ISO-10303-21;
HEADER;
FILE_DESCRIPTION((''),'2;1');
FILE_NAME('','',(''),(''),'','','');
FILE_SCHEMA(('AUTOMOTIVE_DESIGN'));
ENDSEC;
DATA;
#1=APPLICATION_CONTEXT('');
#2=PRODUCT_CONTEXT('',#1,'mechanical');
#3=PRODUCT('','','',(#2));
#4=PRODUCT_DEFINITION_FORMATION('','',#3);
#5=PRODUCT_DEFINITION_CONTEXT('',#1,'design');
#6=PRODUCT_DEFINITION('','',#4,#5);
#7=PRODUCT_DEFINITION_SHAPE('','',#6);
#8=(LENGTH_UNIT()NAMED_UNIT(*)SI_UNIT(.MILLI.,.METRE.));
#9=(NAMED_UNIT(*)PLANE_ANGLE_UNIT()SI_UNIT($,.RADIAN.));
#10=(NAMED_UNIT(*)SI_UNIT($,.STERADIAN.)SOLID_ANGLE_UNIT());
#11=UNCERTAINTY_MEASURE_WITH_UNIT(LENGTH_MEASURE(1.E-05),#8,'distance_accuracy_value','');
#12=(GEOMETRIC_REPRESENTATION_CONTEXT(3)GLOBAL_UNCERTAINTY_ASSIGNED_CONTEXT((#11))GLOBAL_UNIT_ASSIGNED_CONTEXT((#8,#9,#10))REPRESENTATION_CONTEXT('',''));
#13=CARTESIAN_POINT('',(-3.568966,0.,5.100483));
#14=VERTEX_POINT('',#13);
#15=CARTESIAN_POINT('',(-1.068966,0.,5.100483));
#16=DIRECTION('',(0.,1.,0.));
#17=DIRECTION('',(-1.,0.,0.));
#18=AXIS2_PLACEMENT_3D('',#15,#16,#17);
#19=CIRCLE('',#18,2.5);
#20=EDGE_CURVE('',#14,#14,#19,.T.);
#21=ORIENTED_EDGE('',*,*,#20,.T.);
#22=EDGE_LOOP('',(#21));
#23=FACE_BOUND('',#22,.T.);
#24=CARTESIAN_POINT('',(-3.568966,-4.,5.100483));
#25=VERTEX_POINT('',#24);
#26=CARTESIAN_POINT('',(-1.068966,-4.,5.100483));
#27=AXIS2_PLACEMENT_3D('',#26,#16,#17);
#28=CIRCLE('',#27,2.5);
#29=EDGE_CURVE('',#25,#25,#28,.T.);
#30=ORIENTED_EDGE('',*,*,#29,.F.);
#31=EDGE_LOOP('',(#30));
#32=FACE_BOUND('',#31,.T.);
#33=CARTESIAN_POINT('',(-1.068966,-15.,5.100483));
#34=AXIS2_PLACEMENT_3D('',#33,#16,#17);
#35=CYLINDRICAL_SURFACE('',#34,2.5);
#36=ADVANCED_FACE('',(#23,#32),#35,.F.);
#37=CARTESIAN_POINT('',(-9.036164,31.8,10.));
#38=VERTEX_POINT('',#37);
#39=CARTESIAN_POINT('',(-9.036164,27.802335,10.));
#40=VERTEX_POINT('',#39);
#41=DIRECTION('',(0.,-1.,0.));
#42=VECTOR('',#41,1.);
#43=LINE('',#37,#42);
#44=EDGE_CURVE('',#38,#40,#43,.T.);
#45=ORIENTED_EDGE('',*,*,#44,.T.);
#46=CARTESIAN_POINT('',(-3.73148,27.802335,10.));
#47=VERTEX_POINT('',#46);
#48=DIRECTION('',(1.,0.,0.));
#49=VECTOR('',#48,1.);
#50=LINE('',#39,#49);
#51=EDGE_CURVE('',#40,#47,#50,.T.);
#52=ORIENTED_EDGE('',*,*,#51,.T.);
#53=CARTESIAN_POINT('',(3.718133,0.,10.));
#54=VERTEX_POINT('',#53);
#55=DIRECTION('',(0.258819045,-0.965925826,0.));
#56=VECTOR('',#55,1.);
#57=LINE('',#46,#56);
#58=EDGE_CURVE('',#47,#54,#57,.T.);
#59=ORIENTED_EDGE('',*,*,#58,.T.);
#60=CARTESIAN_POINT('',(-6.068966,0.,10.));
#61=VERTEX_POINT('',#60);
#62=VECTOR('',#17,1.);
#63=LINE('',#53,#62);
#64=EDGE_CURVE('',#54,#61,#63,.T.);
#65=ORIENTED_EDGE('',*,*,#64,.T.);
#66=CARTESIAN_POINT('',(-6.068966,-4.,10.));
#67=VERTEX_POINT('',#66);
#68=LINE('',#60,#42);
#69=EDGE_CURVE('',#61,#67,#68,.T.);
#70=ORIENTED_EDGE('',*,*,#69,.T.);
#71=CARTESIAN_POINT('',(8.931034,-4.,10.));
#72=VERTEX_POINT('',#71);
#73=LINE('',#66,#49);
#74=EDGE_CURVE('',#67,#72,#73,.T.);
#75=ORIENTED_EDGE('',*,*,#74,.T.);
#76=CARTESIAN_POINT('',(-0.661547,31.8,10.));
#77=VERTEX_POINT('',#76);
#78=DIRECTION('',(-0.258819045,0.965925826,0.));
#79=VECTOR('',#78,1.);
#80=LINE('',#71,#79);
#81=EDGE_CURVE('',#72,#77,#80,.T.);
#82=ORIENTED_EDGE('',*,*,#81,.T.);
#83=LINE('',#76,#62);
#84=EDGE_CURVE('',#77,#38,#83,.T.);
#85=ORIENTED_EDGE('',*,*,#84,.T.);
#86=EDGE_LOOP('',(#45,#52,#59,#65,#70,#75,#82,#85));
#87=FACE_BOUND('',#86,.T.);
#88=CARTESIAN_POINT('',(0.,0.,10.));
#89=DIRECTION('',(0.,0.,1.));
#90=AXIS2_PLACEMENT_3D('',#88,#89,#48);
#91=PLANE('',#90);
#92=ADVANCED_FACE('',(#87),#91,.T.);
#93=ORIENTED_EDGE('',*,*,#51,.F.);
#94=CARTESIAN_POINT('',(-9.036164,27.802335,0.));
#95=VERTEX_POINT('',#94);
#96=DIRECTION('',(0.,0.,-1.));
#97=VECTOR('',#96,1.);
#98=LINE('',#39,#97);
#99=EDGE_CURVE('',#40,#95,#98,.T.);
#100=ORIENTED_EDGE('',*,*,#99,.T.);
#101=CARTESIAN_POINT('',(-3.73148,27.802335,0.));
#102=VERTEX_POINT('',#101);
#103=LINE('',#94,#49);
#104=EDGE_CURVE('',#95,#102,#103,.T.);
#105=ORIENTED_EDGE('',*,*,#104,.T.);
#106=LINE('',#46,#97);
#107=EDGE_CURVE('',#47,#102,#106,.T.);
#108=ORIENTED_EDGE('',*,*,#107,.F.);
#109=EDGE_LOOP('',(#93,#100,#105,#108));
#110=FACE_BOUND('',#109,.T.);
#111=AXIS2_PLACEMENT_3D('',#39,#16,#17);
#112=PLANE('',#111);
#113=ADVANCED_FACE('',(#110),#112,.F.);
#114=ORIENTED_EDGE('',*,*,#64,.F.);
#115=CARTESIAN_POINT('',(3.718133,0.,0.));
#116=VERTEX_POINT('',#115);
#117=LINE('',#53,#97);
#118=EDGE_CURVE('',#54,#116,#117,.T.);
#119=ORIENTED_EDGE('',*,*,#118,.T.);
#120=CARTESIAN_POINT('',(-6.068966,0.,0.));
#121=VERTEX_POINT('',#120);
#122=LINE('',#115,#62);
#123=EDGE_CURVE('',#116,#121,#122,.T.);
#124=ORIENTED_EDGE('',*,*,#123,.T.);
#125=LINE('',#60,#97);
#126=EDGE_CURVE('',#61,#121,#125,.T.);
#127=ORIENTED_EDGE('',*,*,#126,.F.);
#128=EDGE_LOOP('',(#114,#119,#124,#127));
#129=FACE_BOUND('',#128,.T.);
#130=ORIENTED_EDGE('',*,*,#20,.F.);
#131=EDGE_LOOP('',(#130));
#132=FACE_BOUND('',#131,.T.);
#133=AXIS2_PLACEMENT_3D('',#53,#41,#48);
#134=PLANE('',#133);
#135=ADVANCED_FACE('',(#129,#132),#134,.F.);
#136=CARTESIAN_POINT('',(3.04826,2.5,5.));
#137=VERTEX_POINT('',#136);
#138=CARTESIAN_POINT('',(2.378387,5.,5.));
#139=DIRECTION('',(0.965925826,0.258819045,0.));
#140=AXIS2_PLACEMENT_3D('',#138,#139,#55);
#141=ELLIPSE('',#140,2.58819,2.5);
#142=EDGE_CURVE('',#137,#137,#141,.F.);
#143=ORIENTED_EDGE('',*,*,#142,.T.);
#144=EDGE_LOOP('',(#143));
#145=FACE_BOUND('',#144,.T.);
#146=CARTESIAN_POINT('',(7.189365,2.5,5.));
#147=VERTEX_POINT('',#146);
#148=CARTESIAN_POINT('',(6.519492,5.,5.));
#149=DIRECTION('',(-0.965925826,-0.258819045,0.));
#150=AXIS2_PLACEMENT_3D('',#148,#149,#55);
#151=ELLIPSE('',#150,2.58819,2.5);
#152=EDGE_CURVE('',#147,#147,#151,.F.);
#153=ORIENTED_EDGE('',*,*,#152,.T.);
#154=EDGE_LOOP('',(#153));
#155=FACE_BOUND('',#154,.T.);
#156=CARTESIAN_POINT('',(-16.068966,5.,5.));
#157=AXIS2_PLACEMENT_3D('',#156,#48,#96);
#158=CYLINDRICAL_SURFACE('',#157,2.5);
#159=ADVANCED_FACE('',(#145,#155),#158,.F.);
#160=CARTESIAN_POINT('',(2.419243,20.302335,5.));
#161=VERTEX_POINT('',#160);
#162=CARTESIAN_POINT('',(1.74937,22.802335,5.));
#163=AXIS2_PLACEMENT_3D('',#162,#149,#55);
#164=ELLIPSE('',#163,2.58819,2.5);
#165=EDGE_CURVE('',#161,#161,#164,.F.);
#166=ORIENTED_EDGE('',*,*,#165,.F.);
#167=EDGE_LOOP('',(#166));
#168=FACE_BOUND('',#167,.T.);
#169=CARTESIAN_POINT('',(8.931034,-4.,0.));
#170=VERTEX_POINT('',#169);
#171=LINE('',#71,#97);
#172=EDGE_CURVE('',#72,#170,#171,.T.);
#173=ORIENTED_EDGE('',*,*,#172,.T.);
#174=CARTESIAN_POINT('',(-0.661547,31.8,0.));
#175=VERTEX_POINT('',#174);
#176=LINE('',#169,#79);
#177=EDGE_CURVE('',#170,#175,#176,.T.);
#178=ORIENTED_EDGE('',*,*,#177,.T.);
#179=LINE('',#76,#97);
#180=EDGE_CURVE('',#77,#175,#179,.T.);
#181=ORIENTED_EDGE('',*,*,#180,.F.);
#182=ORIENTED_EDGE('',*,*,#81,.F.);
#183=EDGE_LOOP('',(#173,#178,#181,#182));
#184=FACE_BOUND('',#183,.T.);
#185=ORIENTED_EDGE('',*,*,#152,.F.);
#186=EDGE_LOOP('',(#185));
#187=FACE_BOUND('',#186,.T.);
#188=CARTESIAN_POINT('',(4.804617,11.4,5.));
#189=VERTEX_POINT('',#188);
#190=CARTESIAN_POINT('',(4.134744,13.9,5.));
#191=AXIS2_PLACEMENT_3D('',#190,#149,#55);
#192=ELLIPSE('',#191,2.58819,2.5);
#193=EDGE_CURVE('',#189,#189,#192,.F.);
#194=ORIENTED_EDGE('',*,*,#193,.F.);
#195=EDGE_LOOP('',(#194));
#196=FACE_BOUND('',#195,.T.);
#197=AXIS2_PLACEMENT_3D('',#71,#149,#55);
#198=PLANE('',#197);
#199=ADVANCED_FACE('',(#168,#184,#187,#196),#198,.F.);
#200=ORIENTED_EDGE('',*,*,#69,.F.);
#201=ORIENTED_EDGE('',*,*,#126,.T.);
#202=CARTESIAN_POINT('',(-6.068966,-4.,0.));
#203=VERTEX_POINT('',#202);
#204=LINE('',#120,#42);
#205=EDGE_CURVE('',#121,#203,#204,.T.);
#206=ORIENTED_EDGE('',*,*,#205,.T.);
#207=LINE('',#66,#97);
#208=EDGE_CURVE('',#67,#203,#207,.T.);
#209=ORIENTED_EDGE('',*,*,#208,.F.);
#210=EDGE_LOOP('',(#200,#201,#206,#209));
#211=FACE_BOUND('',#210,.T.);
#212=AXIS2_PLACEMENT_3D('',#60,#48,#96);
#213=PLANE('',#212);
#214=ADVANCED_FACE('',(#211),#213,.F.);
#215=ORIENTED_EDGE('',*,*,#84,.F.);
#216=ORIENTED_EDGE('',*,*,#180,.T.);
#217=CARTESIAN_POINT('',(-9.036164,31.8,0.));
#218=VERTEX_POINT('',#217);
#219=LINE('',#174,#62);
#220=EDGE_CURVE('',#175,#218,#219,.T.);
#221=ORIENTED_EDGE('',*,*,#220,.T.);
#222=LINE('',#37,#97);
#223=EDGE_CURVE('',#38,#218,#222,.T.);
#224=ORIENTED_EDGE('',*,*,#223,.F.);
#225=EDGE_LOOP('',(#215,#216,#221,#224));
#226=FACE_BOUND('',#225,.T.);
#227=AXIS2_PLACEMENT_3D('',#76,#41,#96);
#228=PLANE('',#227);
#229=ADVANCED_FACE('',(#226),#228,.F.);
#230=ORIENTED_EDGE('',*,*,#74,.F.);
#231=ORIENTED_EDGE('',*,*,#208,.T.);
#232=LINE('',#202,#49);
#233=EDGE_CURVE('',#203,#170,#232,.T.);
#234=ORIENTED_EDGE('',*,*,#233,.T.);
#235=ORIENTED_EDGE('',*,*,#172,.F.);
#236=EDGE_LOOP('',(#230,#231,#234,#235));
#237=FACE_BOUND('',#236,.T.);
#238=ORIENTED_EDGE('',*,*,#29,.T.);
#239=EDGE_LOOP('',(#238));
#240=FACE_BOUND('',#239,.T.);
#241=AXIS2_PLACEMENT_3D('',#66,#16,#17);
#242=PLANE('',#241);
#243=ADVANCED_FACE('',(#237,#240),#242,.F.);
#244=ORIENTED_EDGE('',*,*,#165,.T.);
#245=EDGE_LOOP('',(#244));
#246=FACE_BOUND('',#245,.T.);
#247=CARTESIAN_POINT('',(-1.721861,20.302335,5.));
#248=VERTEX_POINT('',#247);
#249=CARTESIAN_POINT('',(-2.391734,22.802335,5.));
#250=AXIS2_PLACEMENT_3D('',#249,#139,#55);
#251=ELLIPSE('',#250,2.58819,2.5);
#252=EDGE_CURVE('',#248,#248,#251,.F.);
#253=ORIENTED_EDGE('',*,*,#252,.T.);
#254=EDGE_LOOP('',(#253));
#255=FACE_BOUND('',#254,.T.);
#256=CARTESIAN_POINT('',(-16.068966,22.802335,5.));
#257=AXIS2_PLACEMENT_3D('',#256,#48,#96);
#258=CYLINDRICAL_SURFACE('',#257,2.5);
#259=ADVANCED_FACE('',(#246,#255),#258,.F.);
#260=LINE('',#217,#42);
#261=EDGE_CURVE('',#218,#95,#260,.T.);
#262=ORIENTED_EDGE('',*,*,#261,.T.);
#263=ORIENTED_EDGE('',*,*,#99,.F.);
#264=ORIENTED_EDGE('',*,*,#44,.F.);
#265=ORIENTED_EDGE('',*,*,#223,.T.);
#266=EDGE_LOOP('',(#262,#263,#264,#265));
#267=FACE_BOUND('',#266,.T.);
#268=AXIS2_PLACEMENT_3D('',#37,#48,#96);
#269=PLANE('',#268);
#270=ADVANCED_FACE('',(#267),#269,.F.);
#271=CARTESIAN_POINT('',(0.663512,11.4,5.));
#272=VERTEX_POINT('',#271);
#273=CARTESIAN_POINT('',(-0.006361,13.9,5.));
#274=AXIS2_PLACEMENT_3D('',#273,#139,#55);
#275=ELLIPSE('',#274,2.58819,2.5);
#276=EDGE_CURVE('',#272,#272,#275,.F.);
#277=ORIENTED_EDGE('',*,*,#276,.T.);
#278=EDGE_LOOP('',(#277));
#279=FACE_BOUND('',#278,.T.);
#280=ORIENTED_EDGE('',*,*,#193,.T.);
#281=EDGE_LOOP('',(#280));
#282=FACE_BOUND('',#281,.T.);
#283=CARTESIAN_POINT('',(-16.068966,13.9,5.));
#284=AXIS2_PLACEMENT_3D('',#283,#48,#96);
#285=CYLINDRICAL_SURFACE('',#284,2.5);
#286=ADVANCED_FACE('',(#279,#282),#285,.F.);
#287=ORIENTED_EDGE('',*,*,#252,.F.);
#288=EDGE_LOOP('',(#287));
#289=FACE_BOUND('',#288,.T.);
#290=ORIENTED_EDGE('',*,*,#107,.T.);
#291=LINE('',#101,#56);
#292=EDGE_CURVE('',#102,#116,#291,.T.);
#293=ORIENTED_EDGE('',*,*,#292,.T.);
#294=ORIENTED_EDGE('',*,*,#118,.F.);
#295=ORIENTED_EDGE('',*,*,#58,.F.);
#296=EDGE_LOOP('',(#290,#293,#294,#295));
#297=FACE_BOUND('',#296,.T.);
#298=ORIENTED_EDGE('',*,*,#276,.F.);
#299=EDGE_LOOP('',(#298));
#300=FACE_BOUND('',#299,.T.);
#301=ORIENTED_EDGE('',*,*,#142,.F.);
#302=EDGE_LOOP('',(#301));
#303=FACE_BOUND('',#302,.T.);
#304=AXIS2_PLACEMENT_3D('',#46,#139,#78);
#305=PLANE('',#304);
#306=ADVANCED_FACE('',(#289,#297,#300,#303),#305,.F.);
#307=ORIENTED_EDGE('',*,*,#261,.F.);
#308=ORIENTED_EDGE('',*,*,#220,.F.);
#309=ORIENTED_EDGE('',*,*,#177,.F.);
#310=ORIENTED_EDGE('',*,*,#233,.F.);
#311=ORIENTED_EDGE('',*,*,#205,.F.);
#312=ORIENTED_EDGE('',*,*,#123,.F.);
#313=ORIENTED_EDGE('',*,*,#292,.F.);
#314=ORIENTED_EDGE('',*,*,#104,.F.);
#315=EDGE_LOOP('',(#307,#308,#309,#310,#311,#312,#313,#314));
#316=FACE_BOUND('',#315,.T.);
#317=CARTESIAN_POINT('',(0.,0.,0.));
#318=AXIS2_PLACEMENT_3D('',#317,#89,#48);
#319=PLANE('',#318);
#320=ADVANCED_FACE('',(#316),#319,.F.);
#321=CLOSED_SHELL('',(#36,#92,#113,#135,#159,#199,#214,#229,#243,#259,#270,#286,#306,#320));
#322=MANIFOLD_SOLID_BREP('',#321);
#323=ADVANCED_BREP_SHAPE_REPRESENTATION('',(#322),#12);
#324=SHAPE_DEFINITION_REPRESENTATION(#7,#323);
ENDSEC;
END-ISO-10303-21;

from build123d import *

# Parameters (mm, degrees)
BOSS_EXTRUDE1_DEPTH     = 10
CUT_EXTRUDE1_DEPTH      = 10
CUT_EXTRUDE1_DEPTH_BACK = 15
SKETCH2_R               = 2.5
SKETCH3_R               = 2.5
CUT_EXTRUDE2_DEPTH      = 15


with BuildPart() as part:
    # Sketch1 → Boss-Extrude1 (new body)
    with BuildSketch(Plane.XY):
        Polygon((-6.068965517, -4), (8.931034483, -4), (-0.661546606, 31.8), (-9.036163723, 31.8), (-9.036163723, 27.802335145), (-3.731480258, 27.802335145), (3.718132991, 0), (-6.068965517, 0), align=None)
    extrude(amount=BOSS_EXTRUDE1_DEPTH)

    # Sketch2 → Cut-Extrude1 (cut, two sides: drawn at the far end of the back side and taken through both)
    with BuildSketch(Plane.ZY.offset(6.068965517).offset(-CUT_EXTRUDE1_DEPTH_BACK)):
        with Locations(Location((5, 22.802335145, 0), (0, 0, 270))):
            Circle(SKETCH2_R)
        with Locations(Location((5, 5, 0), (0, 0, 270))):
            Circle(SKETCH2_R)
        with Locations(Location((5, 13.9, 0), (0, 0, 270))):
            Circle(SKETCH2_R)
    extrude(amount=CUT_EXTRUDE1_DEPTH + CUT_EXTRUDE1_DEPTH_BACK, mode=Mode.SUBTRACT)

    # Sketch3 → Cut-Extrude2 (cut)
    with BuildSketch(Plane(origin=(0, 0, 0), x_dir=(1, 0, 0), z_dir=(0, 1, 0))):
        with Locations(Location((-1.068965517, -5.100482612, 0), (0, 0, 180))):
            Circle(SKETCH3_R)
    extrude(amount=-CUT_EXTRUDE2_DEPTH, mode=Mode.SUBTRACT)


solid = part.part
